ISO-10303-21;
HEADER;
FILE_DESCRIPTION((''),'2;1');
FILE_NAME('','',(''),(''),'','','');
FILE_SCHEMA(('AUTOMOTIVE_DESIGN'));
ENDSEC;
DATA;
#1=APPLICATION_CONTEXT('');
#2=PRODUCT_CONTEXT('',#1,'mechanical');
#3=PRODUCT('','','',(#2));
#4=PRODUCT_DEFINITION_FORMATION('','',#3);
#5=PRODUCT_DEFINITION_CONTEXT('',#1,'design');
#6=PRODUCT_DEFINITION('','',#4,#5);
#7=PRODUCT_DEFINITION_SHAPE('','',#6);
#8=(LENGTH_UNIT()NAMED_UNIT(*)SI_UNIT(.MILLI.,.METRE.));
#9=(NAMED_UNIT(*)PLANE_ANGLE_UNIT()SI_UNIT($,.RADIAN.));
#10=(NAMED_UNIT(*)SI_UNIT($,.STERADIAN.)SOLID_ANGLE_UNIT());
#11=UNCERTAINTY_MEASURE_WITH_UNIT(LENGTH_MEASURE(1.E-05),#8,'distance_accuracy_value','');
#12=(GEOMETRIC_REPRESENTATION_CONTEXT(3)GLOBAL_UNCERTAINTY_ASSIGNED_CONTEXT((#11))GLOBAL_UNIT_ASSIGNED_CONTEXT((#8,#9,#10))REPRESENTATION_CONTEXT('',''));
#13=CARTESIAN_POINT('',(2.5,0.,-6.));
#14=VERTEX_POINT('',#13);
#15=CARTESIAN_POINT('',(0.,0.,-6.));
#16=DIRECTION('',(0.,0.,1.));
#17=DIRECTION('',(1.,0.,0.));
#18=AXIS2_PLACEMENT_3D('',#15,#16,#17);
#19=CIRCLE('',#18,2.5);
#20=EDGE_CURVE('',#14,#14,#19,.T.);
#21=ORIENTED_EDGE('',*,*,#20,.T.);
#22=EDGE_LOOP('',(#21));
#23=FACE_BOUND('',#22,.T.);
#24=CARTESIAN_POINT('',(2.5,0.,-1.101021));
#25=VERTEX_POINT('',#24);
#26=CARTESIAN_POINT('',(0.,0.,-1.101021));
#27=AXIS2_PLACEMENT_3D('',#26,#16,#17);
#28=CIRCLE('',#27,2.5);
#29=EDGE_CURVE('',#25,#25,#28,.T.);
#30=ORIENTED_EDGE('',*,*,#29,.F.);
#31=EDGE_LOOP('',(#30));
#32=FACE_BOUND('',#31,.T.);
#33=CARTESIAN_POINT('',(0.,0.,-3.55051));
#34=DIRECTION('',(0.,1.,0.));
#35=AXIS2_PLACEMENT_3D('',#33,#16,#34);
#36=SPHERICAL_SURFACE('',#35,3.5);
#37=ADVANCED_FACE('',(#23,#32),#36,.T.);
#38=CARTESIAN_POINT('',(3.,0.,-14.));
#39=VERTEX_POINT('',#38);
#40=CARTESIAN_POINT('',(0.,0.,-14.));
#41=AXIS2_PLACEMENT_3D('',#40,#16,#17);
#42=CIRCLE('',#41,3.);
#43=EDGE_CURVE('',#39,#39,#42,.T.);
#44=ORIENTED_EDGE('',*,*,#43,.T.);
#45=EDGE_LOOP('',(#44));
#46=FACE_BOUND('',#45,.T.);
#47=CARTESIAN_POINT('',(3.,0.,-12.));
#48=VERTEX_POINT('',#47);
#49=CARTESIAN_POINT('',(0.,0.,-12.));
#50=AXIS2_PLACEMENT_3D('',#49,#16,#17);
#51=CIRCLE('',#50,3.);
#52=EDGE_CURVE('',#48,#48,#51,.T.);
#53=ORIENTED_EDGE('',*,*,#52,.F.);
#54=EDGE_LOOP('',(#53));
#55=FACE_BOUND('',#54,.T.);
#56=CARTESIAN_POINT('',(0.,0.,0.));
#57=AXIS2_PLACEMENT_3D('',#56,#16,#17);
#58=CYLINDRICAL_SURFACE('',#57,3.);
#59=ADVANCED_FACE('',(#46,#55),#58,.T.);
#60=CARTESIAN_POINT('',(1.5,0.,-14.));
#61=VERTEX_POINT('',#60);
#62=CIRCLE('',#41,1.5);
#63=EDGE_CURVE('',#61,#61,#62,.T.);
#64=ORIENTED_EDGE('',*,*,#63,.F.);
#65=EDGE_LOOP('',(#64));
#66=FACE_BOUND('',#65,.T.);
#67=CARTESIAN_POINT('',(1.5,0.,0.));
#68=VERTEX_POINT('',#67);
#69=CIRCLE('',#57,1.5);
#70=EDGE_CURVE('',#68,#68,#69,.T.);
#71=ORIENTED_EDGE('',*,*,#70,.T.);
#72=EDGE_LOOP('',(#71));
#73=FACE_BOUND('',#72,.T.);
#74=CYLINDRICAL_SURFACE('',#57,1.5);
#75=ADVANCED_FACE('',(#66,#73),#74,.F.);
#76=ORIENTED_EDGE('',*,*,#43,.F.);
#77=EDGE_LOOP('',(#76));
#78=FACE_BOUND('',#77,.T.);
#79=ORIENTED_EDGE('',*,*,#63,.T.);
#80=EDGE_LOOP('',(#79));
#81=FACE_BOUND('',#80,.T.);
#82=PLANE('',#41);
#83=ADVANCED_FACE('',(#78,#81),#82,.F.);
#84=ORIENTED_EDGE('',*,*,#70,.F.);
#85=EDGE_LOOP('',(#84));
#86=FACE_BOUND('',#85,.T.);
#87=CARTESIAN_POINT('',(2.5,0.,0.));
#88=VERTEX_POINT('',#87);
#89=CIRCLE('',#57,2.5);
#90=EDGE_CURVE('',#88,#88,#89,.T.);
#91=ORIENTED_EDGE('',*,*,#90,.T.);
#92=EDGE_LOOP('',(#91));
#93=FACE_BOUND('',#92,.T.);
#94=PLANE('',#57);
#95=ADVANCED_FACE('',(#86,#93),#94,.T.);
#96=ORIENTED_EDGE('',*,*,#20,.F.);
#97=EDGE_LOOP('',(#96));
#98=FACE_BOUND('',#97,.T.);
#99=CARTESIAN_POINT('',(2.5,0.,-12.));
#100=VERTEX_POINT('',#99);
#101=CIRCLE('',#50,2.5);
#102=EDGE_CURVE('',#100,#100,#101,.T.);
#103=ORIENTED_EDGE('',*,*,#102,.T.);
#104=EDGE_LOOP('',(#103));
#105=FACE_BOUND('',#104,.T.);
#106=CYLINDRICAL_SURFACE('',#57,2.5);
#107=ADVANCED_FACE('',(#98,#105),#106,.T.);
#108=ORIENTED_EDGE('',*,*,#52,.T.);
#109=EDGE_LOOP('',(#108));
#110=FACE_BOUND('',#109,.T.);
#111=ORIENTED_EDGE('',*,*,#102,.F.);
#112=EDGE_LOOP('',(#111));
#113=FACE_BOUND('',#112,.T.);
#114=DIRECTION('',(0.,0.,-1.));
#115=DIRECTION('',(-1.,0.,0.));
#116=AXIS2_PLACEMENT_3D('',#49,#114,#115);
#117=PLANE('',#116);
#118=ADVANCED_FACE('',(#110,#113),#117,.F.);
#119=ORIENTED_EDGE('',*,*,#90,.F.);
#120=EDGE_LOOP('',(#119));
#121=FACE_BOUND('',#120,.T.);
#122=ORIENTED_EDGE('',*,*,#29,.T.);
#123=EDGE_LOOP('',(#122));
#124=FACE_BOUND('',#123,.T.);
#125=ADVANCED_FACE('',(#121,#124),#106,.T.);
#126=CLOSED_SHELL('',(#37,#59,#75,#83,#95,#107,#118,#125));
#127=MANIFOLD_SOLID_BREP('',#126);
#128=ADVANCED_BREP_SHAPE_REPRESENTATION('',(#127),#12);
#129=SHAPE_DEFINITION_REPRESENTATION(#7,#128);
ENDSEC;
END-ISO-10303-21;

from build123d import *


with BuildPart() as part:
    # Sketch1 → Revolve1 (revolve)
    with BuildSketch(Plane(origin=(0, 0, 0), x_dir=(0, 0, -1), z_dir=(1, 0, 0))):
        with BuildLine():
            Line((0.388232597, 1.5), (6.712787917, 1.5))
            ThreePointArc((6.712787917, 1.5), (6.400595054, 2.031506006), (6, 2.5))
            ThreePointArc((6, 2.5), (3.550510257, 3.5), (1.101020514, 2.5))
            ThreePointArc((1.101020514, 2.5), (0.700425461, 2.031506006), (0.388232597, 1.5))
        make_face()
        with BuildLine():
            Line((0, 1.5), (0.388232597, 1.5))
            ThreePointArc((0.388232597, 1.5), (0.700425461, 2.031506006), (1.101020514, 2.5))
            Line((1.101020514, 2.5), (0, 2.5))
            Line((0, 2.5), (0, 1.5))
        make_face()
        with BuildLine():
            Line((6.712787917, 1.5), (14, 1.5))
            Line((14, 1.5), (14, 3))
            Line((14, 3), (12, 3))
            Line((12, 3), (12, 2.5))
            Line((12, 2.5), (6, 2.5))
            ThreePointArc((6, 2.5), (6.400595054, 2.031506006), (6.712787917, 1.5))
        make_face()
    revolve(axis=Axis((0, 0, 0), (0, 0, -1)))


solid = part.part
